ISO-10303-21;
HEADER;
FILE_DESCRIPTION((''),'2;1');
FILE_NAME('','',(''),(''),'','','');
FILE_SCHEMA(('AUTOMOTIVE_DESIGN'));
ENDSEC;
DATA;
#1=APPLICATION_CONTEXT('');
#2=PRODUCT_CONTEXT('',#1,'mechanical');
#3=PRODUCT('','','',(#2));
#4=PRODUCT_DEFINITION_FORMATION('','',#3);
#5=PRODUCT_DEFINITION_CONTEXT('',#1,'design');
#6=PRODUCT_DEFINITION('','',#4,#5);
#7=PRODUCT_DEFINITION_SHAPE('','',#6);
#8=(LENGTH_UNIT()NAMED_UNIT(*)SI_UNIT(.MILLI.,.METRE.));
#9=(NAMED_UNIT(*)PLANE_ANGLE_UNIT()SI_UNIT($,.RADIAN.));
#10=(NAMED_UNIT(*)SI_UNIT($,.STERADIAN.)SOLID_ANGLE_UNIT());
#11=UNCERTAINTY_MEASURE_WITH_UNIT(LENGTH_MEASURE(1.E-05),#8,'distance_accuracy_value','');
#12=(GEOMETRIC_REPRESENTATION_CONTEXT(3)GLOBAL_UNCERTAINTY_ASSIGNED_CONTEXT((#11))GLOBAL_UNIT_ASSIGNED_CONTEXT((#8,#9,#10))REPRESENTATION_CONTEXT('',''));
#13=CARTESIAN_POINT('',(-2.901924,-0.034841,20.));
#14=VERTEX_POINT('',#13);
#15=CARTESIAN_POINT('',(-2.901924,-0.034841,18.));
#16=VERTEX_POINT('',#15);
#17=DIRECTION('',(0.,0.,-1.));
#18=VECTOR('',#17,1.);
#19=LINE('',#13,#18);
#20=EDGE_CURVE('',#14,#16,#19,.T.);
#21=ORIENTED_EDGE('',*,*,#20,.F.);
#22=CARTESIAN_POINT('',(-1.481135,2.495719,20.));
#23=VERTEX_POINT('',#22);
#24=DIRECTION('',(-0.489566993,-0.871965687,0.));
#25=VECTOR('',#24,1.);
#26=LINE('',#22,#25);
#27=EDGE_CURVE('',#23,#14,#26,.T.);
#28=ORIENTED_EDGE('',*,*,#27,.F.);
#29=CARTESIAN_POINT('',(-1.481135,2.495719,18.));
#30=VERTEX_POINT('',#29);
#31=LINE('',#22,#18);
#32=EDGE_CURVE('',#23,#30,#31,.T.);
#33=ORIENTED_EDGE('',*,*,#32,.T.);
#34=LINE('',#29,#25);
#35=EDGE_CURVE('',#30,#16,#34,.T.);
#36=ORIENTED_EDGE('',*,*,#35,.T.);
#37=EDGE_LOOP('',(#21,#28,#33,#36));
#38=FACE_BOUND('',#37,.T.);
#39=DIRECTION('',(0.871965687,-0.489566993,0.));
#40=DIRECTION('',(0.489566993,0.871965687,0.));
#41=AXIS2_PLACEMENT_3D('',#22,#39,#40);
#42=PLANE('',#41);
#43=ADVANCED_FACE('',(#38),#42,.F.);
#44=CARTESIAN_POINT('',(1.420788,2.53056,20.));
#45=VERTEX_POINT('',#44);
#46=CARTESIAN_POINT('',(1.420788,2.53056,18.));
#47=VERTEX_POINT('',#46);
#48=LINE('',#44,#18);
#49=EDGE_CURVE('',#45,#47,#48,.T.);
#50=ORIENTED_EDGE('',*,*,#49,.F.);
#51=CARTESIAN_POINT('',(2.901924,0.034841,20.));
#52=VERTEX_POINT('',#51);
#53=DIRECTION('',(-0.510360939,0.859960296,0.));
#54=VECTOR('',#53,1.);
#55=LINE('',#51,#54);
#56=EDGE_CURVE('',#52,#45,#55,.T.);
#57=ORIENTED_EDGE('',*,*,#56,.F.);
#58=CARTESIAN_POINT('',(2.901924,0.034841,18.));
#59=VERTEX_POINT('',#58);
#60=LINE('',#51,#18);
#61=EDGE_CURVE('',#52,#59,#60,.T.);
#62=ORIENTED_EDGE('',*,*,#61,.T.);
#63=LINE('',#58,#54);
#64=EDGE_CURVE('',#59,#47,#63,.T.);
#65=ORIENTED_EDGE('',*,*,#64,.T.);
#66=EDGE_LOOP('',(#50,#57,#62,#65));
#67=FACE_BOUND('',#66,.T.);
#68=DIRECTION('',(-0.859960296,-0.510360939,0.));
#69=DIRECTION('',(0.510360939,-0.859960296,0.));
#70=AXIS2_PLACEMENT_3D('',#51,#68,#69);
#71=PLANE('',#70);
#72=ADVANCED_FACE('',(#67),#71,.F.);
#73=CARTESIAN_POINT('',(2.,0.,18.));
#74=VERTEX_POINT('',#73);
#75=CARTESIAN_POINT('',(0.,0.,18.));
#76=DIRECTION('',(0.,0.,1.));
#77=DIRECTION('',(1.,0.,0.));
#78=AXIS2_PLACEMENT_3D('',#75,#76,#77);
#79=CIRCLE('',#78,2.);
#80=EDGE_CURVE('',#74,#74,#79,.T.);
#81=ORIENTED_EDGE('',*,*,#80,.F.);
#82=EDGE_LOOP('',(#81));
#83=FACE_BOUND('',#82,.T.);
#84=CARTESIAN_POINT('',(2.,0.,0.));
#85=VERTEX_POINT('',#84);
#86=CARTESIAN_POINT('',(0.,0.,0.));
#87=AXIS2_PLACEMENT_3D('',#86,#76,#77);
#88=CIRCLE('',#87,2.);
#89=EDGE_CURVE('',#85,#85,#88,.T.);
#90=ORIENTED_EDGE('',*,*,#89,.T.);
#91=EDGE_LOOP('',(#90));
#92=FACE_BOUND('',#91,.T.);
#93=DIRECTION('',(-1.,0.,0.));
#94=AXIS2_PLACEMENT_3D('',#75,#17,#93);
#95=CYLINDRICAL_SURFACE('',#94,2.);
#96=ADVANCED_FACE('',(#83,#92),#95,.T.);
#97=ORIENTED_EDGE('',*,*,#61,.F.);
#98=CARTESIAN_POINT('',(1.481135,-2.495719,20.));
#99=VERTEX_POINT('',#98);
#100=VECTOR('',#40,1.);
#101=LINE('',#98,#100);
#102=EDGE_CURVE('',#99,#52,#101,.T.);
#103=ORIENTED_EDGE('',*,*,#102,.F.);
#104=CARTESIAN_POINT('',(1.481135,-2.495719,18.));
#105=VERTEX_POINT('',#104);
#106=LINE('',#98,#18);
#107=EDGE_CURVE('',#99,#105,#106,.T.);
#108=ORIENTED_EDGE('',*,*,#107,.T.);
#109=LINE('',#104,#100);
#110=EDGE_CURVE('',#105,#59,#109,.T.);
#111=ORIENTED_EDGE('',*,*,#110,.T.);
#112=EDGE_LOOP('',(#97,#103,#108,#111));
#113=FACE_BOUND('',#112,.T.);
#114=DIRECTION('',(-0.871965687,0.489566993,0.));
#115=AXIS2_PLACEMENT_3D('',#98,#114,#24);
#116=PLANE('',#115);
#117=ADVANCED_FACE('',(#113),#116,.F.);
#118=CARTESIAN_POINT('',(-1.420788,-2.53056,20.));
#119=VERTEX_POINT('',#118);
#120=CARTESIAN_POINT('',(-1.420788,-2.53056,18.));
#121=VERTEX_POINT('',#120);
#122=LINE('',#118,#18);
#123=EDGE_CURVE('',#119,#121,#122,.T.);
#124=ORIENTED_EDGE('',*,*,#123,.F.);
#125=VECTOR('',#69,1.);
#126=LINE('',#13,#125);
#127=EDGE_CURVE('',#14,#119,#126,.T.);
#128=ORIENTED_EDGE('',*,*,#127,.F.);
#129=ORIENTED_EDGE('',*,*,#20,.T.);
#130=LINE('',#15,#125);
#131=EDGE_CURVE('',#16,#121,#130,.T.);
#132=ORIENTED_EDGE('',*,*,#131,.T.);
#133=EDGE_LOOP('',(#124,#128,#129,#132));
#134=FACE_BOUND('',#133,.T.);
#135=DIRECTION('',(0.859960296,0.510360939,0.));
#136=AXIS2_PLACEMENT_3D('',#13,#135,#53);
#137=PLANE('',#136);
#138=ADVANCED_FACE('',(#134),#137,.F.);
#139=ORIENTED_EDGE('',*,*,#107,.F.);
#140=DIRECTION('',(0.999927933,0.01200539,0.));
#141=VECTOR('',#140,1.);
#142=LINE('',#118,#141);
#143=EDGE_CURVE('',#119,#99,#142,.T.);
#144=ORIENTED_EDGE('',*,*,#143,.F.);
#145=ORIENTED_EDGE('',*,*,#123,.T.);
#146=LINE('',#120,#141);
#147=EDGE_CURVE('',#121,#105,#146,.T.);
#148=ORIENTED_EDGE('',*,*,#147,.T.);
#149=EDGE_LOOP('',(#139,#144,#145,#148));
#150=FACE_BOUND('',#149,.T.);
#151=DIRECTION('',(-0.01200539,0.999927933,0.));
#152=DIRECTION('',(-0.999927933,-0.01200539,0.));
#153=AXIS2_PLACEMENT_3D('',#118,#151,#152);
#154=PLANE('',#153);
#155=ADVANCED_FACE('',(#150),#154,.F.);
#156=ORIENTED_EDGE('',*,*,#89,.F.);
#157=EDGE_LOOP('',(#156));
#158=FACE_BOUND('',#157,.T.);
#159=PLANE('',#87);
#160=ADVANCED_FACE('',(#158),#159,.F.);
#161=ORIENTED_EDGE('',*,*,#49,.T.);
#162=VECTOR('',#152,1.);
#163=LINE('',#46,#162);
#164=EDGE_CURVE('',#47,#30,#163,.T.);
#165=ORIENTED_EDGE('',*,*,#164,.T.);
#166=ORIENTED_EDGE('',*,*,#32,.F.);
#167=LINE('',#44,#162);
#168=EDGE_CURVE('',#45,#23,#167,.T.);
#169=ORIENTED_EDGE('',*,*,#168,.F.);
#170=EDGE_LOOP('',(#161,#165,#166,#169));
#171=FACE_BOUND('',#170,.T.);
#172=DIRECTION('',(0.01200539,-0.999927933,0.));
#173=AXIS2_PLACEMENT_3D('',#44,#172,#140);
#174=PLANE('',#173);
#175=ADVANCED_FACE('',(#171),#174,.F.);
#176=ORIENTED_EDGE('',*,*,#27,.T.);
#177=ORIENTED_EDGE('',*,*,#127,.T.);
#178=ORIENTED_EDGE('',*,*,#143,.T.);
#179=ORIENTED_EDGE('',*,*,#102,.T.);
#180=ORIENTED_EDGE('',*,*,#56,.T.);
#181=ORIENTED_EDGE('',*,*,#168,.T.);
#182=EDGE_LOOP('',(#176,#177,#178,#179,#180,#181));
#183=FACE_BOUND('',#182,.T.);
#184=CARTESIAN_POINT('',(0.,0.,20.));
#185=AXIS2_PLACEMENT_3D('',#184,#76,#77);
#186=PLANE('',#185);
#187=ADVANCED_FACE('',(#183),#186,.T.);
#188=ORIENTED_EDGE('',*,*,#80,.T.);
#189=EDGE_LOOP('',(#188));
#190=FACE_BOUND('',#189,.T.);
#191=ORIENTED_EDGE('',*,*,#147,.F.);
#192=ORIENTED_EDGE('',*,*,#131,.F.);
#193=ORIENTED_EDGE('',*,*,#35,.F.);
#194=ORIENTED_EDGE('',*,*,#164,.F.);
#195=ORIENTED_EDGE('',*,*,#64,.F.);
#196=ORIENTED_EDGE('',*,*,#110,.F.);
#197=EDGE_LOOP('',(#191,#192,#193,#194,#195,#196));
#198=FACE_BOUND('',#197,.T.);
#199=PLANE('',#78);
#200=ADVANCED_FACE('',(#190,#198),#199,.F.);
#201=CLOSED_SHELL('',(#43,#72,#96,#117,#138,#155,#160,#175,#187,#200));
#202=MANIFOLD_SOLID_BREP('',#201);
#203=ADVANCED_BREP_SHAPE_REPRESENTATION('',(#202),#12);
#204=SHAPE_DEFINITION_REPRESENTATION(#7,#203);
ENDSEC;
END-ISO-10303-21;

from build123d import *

# Parameters (mm, degrees)
SKETCH1_R           = 2
BOSS_EXTRUDE1_DEPTH = 18
BOSS_EXTRUDE2_DEPTH = 2


with BuildPart() as part:
    # Sketch1 → Boss-Extrude1 (new body)
    with BuildSketch(Plane.XY):
        Circle(SKETCH1_R)
    extrude(amount=BOSS_EXTRUDE1_DEPTH)

    # Sketch2 → Boss-Extrude2 (add)
    with BuildSketch(Plane.XY.offset(18)):
        Polygon((1.481135244, -2.495719019), (2.901923693, 0.034841238), (1.420788449, 2.530560257), (-1.481135244, 2.495719019), (-2.901923693, -0.034841238), (-1.420788449, -2.530560257), align=None)
    extrude(amount=BOSS_EXTRUDE2_DEPTH)


solid = part.part
